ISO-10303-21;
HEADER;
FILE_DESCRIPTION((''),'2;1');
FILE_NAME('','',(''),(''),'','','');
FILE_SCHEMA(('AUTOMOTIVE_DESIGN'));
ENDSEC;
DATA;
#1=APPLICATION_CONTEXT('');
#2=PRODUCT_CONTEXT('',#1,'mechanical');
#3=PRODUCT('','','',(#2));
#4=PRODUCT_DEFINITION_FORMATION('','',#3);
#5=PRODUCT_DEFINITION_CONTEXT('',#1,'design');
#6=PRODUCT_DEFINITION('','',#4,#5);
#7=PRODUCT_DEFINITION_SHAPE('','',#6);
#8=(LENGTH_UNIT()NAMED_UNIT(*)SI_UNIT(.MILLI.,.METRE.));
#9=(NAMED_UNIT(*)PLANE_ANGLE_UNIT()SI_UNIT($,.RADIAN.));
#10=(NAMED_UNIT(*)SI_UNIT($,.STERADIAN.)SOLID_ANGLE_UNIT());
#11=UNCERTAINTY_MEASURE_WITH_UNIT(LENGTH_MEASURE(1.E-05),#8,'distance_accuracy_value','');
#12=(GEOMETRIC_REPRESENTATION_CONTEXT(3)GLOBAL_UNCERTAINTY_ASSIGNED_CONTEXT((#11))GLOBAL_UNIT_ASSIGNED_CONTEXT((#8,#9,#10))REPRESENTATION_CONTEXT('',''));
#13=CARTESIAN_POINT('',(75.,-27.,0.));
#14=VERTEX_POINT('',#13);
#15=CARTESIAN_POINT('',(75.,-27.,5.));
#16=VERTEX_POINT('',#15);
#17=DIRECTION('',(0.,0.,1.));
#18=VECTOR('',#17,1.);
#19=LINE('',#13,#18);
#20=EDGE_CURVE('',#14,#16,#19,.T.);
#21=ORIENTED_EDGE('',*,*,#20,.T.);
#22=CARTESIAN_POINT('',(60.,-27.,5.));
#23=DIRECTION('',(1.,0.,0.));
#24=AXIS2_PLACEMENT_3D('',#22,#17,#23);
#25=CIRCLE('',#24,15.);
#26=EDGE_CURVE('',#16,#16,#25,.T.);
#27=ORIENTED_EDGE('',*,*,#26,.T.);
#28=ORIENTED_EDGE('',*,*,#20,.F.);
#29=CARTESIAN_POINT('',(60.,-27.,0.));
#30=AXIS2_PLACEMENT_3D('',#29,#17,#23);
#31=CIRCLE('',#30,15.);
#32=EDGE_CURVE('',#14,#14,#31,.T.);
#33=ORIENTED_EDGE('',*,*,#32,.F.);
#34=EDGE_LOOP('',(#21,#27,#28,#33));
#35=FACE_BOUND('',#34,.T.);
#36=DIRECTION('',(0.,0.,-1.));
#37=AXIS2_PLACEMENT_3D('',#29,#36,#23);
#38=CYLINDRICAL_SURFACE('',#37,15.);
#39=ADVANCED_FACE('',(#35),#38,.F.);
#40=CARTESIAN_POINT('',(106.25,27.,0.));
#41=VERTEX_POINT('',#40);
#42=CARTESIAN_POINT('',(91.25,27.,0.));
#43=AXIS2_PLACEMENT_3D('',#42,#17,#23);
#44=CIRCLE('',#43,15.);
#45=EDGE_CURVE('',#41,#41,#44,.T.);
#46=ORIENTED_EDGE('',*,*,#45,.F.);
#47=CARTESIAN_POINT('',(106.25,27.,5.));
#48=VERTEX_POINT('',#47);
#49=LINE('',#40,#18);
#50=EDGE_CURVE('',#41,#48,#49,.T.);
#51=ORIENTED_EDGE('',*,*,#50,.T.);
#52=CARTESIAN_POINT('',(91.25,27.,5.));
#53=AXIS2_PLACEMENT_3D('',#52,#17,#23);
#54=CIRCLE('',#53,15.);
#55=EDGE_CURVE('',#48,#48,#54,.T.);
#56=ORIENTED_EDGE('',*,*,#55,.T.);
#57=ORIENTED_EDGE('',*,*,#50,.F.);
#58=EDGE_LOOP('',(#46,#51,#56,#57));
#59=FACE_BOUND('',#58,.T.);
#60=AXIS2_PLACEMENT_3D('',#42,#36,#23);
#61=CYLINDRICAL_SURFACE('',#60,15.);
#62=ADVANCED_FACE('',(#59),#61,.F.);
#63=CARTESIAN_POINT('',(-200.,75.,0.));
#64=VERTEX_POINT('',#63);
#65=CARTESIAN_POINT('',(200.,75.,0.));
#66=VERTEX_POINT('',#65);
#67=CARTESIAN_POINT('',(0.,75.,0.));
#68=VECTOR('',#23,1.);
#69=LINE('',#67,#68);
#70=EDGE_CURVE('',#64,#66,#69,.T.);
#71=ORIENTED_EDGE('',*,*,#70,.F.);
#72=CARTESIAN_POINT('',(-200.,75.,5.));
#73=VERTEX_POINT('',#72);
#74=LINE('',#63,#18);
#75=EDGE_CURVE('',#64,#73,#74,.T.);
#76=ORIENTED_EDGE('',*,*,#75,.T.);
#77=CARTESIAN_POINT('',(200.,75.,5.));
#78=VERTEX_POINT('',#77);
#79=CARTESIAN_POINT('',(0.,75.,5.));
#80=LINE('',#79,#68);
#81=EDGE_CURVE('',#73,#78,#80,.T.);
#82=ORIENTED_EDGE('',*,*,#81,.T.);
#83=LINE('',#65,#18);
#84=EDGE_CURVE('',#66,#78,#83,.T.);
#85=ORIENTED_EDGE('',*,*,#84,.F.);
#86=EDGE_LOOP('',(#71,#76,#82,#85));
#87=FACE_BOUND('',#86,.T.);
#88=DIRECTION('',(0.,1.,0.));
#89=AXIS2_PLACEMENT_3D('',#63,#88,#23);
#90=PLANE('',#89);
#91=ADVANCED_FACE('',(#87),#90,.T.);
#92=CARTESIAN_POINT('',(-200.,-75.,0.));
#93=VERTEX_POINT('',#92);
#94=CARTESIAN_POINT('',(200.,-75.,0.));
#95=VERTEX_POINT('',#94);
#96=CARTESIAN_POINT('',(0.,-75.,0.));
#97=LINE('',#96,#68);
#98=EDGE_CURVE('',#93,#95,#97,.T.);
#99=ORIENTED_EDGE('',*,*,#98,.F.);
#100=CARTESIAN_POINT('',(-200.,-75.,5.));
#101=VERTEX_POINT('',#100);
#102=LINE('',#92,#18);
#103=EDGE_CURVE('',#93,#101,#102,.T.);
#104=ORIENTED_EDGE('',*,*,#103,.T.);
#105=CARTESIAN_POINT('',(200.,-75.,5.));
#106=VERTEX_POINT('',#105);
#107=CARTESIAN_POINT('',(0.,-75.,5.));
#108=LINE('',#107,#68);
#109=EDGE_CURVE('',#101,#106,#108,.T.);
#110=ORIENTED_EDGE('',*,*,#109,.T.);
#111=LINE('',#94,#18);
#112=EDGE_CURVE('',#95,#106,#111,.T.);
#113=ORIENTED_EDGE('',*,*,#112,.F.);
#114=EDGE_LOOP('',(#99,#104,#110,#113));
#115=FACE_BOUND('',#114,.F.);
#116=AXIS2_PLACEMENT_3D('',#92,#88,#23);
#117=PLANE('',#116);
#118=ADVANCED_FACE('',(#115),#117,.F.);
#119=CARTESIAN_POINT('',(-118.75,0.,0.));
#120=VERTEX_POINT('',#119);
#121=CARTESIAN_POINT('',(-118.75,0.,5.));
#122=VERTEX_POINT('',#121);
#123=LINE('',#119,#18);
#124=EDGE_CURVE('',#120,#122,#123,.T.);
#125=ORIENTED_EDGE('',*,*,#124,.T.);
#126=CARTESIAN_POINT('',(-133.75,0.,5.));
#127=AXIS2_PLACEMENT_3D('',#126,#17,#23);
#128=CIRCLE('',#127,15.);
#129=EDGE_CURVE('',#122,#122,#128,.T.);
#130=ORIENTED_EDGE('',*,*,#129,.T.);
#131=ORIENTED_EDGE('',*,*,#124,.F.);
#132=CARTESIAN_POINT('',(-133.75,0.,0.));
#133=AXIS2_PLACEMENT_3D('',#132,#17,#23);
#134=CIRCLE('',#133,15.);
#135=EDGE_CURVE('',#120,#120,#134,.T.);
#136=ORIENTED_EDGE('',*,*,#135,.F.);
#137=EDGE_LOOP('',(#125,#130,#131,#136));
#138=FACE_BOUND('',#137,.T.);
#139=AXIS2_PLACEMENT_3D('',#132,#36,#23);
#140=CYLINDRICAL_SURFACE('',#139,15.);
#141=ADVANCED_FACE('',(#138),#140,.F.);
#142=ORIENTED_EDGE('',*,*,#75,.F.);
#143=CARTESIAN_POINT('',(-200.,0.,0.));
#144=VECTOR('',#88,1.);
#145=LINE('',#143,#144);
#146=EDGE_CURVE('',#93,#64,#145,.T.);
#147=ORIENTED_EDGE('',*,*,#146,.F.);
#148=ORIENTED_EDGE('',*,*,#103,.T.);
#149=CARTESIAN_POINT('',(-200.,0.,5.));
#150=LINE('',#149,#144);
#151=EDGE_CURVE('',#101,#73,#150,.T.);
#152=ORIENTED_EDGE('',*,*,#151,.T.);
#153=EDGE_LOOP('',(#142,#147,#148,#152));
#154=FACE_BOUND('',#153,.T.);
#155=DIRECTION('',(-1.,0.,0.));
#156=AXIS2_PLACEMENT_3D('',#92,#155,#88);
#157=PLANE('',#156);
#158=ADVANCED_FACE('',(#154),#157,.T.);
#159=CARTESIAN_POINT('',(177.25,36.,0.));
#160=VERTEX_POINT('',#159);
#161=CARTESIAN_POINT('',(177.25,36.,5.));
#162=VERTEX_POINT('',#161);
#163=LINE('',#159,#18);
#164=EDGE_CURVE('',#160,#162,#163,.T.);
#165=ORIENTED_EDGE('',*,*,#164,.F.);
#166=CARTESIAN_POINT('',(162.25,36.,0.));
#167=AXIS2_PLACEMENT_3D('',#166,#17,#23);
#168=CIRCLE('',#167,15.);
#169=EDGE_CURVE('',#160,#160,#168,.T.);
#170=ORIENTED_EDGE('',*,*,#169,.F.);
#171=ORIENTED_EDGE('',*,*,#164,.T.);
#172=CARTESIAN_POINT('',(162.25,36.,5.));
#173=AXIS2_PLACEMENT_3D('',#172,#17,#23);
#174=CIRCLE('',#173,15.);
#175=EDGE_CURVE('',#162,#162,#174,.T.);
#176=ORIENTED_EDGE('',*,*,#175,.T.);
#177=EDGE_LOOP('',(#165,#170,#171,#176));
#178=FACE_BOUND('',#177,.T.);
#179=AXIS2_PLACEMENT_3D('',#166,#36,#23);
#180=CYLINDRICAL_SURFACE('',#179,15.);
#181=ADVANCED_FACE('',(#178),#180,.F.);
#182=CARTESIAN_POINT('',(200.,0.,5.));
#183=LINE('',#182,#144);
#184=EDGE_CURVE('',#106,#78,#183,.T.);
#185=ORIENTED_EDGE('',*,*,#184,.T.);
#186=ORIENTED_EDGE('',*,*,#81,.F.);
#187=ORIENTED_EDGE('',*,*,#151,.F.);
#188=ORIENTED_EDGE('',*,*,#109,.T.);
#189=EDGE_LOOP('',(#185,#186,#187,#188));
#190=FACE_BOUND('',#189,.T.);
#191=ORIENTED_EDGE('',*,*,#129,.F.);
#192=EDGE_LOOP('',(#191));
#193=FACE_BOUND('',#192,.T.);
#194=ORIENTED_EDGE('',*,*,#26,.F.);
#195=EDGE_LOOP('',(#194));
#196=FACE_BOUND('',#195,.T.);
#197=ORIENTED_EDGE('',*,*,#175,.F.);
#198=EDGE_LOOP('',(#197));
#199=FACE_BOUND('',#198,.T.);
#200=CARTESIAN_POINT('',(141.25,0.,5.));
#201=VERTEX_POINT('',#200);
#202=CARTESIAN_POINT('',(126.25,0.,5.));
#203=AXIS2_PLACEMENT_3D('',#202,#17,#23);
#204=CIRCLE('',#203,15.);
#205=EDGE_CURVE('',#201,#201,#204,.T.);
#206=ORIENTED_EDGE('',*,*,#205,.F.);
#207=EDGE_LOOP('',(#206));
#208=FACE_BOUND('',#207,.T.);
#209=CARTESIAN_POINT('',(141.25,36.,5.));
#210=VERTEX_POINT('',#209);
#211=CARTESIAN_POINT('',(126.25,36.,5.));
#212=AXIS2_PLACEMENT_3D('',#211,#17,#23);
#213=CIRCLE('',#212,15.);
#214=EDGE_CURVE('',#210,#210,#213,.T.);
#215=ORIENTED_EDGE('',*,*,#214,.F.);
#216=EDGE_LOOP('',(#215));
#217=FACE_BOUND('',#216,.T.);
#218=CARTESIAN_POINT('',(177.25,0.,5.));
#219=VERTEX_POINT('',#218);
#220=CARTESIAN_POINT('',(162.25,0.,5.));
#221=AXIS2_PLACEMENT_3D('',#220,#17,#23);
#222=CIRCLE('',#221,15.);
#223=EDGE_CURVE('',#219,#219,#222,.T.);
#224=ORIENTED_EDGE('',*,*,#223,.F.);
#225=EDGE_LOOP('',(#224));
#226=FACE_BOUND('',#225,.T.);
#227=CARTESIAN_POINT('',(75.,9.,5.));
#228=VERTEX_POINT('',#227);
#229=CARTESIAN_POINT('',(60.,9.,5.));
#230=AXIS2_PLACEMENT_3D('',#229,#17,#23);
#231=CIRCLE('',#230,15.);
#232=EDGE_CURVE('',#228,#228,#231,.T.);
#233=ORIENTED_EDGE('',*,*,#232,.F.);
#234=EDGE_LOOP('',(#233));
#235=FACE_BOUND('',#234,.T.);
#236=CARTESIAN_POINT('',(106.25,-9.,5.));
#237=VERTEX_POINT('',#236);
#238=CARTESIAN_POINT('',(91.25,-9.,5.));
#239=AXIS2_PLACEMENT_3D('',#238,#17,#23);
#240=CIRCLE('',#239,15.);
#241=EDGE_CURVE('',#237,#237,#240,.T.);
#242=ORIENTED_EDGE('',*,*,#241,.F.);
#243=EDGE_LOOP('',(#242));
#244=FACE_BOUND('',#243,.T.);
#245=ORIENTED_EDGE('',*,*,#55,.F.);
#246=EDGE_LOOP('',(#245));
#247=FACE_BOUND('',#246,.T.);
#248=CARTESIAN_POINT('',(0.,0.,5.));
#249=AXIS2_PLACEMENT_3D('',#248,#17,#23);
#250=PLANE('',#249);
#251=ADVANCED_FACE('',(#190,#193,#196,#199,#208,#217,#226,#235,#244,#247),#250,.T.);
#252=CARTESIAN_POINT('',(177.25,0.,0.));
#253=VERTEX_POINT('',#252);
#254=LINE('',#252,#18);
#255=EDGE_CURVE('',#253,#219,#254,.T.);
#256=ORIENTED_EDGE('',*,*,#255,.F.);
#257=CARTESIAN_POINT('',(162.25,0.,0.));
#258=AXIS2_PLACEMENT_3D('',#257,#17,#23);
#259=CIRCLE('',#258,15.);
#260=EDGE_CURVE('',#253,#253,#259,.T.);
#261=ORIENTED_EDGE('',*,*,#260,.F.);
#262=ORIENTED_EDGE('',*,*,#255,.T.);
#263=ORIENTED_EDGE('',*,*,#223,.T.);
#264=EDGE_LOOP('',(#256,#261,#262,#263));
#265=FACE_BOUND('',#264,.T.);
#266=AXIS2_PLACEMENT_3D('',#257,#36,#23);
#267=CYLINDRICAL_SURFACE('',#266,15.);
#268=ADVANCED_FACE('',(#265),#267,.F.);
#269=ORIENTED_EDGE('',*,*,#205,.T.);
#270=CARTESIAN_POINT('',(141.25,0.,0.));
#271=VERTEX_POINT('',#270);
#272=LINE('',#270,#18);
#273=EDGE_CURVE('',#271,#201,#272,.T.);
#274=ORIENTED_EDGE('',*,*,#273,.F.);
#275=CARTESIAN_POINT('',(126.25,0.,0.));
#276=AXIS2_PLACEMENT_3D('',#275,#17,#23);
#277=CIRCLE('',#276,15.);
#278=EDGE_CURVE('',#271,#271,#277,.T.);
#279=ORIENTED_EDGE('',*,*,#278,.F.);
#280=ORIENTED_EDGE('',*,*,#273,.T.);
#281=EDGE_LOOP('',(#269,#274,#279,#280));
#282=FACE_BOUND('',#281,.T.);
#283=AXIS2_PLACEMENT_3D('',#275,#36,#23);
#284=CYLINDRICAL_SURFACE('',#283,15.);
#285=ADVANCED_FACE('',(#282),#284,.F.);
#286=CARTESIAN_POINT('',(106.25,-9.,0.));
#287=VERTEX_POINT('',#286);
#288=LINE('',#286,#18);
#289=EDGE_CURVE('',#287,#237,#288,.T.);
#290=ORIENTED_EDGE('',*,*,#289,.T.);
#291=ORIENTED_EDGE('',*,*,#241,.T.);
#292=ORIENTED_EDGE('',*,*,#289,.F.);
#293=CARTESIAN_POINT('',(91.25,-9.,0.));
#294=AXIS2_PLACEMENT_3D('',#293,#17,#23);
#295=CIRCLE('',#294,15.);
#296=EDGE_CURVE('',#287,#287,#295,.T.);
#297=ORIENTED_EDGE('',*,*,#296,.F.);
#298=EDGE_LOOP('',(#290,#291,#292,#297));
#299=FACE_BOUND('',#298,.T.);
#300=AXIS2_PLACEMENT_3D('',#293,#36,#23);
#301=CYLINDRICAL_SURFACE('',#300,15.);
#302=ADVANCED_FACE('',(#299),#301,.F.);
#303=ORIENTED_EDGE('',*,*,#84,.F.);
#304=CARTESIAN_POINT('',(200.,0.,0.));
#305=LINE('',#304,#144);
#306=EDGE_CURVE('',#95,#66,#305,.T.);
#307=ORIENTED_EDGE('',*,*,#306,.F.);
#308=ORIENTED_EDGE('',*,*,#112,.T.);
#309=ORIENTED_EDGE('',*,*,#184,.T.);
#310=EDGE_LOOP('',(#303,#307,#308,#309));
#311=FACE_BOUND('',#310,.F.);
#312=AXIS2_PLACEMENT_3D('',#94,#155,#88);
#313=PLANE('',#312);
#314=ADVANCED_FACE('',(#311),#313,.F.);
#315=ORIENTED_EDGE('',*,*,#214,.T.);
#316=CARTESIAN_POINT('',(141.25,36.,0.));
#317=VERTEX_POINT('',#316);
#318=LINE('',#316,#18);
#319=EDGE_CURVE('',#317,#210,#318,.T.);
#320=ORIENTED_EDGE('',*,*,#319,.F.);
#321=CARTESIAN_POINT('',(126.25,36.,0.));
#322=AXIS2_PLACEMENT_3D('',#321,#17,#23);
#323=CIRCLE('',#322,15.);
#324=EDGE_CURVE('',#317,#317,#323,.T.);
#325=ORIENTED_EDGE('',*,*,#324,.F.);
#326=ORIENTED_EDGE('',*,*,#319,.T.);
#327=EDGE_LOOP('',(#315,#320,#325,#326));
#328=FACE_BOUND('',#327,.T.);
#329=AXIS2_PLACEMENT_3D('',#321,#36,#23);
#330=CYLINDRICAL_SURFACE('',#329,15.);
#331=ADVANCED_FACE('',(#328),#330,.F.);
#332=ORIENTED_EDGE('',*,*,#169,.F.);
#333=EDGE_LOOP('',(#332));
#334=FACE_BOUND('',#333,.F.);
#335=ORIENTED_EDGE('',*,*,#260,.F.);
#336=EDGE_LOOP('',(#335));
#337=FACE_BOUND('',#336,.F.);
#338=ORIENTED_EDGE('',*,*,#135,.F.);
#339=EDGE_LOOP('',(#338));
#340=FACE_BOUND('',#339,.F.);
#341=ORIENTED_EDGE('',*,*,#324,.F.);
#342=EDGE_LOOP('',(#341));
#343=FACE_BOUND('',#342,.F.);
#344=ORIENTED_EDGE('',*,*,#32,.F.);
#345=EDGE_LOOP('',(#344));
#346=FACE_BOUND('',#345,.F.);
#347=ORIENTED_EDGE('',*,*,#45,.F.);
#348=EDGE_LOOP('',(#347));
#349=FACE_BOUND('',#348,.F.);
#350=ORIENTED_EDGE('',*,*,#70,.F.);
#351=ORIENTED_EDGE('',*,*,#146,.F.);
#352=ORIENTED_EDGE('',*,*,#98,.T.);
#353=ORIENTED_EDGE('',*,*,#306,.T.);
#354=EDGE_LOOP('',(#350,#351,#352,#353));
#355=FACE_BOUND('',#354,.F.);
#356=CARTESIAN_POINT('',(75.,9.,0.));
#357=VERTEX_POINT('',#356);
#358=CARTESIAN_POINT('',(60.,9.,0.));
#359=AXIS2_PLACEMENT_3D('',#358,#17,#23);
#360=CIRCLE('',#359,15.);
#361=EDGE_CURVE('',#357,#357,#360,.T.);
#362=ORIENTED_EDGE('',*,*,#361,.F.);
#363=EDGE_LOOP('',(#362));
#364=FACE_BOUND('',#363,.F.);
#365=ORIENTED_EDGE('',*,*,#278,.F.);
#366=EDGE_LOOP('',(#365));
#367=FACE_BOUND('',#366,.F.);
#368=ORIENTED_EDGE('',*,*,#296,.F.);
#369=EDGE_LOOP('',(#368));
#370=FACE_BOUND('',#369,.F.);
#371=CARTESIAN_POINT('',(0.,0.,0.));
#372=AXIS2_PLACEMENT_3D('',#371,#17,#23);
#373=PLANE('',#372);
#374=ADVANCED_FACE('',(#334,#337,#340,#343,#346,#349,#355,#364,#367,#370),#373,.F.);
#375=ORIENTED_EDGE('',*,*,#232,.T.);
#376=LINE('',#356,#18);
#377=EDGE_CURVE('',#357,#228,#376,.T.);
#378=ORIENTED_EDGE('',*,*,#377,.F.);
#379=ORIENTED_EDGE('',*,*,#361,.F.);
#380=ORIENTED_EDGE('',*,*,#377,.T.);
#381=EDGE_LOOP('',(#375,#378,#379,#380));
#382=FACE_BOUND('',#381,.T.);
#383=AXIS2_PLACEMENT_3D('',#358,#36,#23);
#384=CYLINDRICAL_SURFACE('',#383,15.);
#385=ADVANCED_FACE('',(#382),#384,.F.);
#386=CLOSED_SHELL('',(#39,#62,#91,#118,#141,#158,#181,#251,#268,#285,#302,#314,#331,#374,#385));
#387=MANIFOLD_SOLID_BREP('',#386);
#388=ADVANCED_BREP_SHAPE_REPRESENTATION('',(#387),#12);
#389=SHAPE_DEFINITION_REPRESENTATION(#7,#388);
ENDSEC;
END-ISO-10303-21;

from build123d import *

# Parameters (mm, degrees)
F0_W     = 400
F0_H     = 150
F0_R     = 15
F1_DEPTH = 5


with BuildPart() as f1:
    # F0 (on Top) → F1 (new body)
    with BuildSketch(Plane.XY):
        Rectangle(F0_W, F0_H)
        with Locations((60, -27)):
            Circle(F0_R, mode=Mode.SUBTRACT)
        with Locations((91.25, -9)):
            Circle(F0_R, mode=Mode.SUBTRACT)
        with Locations((-133.75, 0)):
            Circle(F0_R, mode=Mode.SUBTRACT)
        with Locations((60, 9)):
            Circle(F0_R, mode=Mode.SUBTRACT)
        with Locations((91.25, 27)):
            Circle(F0_R, mode=Mode.SUBTRACT)
        with Locations((126.25, 0)):
            Circle(F0_R, mode=Mode.SUBTRACT)
        with Locations((162.25, 0)):
            Circle(F0_R, mode=Mode.SUBTRACT)
        with Locations((126.25, 36)):
            Circle(F0_R, mode=Mode.SUBTRACT)
        with Locations((162.25, 36)):
            Circle(F0_R, mode=Mode.SUBTRACT)
    extrude(amount=F1_DEPTH)


solid = f1.part
